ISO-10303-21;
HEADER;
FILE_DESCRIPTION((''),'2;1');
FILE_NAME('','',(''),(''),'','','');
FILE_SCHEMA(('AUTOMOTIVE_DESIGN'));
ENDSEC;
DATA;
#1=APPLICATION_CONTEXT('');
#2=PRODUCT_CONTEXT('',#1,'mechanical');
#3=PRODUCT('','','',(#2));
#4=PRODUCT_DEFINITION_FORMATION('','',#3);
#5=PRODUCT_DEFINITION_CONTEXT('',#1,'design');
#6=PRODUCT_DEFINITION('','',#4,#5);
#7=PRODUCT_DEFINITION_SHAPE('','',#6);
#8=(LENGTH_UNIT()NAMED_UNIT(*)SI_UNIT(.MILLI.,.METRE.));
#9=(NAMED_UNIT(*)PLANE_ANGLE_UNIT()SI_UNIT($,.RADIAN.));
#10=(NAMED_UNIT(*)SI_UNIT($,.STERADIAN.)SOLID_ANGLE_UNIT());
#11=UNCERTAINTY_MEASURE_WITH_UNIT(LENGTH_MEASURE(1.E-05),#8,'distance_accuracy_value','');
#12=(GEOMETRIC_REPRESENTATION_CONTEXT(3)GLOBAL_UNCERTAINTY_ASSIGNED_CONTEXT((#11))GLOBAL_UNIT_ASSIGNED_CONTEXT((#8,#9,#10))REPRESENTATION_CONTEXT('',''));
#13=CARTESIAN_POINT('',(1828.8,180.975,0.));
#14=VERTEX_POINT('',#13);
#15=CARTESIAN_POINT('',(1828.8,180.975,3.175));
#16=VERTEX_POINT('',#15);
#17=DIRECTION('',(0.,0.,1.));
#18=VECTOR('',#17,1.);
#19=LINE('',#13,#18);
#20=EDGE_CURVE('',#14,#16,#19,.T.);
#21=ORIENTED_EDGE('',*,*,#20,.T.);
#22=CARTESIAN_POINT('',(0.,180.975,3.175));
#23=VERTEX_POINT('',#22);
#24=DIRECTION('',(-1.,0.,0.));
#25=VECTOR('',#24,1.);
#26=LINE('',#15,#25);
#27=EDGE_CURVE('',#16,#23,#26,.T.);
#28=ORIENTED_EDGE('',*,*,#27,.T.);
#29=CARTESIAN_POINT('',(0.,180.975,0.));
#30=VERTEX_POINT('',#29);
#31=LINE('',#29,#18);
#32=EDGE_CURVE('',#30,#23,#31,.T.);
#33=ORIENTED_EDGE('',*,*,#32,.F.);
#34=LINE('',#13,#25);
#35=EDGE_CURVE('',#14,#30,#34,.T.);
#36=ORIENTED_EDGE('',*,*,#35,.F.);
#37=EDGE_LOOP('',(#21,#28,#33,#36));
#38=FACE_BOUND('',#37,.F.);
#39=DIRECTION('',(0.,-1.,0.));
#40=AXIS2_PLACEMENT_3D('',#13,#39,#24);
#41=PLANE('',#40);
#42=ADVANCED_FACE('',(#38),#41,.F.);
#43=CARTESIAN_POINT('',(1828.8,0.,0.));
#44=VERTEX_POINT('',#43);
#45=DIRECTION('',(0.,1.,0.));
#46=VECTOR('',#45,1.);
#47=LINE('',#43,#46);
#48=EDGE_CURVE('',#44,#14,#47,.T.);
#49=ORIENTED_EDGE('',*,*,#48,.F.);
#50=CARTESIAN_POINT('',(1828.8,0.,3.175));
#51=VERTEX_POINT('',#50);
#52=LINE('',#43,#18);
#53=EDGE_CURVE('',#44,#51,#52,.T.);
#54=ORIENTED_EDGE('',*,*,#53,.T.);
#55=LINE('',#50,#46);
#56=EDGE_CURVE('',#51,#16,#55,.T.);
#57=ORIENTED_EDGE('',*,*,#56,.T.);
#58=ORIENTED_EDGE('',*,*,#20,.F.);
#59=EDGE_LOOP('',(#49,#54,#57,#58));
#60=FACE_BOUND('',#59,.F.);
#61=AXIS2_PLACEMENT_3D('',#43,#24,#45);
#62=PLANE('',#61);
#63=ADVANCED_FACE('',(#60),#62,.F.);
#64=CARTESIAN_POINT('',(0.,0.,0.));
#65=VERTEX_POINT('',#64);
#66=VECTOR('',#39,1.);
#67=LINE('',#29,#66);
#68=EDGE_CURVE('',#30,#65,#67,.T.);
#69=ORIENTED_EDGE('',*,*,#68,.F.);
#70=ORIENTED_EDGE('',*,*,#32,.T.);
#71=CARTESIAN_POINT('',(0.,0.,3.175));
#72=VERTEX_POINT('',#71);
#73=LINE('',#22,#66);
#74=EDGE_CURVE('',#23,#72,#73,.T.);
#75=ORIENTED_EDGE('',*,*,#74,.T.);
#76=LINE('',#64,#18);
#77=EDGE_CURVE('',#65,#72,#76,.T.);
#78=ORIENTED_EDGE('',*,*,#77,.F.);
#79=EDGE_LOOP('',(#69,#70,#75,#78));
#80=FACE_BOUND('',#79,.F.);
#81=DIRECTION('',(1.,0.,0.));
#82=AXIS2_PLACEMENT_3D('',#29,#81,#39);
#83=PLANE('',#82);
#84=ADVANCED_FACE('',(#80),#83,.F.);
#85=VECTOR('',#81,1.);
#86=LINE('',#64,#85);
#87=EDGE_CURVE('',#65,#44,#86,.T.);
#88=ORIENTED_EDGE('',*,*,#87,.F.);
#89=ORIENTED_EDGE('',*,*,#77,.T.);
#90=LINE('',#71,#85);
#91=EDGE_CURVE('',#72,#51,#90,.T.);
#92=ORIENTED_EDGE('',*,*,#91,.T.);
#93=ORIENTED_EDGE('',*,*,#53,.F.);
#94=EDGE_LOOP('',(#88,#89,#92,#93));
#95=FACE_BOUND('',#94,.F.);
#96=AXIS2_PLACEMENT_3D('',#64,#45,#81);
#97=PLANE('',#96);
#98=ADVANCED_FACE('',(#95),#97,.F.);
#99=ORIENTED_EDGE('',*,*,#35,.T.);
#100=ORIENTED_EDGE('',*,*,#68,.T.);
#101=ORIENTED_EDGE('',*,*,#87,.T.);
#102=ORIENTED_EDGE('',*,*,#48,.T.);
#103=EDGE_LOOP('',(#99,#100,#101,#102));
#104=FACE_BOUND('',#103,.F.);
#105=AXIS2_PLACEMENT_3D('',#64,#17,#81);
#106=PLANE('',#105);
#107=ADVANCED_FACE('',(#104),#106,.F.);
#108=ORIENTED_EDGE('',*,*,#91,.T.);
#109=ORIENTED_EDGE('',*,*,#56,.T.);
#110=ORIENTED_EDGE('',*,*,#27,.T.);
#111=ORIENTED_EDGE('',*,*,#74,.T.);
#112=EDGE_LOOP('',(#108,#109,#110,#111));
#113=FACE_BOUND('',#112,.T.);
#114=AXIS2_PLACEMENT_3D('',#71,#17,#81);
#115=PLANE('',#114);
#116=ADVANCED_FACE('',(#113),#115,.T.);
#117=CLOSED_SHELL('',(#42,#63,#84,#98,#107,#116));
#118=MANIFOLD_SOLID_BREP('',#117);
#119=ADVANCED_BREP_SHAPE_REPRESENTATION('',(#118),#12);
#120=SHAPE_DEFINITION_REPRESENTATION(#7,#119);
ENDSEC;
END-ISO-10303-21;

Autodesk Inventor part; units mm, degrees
ref_plane "YZ Plane" through (0, 0, 0) normal (1, 0, 0) x (0, 1, 0)
ref_plane "XZ Plane" through (0, 0, 0) normal (0, 1, 0) x (-1, 0, 0)
ref_plane "XY Plane" through (0, 0, 0) normal (0, 0, 1) x (1, 0, 0)
sketch "Sketch1" plane through (0, 0, 0) normal (0, 0, 1) x (1, 0, 0)
  line L0 (0, 0) -> (1828.8, 0)
  line L1 (1828.8, 0) -> (1828.8, 180.975)
  line L2 (1828.8, 180.975) -> (0, 180.975)
  line L3 (0, 180.975) -> (0, 0)
  dimension "d0" = 1828.8
  dimension "d1" = 180.975
extrude "Extrusion1" add sketch "Sketch1" along normal blind 3.175
properties part number "Clear Ramp Surface 125" material "Polycarbonate, Clear"
